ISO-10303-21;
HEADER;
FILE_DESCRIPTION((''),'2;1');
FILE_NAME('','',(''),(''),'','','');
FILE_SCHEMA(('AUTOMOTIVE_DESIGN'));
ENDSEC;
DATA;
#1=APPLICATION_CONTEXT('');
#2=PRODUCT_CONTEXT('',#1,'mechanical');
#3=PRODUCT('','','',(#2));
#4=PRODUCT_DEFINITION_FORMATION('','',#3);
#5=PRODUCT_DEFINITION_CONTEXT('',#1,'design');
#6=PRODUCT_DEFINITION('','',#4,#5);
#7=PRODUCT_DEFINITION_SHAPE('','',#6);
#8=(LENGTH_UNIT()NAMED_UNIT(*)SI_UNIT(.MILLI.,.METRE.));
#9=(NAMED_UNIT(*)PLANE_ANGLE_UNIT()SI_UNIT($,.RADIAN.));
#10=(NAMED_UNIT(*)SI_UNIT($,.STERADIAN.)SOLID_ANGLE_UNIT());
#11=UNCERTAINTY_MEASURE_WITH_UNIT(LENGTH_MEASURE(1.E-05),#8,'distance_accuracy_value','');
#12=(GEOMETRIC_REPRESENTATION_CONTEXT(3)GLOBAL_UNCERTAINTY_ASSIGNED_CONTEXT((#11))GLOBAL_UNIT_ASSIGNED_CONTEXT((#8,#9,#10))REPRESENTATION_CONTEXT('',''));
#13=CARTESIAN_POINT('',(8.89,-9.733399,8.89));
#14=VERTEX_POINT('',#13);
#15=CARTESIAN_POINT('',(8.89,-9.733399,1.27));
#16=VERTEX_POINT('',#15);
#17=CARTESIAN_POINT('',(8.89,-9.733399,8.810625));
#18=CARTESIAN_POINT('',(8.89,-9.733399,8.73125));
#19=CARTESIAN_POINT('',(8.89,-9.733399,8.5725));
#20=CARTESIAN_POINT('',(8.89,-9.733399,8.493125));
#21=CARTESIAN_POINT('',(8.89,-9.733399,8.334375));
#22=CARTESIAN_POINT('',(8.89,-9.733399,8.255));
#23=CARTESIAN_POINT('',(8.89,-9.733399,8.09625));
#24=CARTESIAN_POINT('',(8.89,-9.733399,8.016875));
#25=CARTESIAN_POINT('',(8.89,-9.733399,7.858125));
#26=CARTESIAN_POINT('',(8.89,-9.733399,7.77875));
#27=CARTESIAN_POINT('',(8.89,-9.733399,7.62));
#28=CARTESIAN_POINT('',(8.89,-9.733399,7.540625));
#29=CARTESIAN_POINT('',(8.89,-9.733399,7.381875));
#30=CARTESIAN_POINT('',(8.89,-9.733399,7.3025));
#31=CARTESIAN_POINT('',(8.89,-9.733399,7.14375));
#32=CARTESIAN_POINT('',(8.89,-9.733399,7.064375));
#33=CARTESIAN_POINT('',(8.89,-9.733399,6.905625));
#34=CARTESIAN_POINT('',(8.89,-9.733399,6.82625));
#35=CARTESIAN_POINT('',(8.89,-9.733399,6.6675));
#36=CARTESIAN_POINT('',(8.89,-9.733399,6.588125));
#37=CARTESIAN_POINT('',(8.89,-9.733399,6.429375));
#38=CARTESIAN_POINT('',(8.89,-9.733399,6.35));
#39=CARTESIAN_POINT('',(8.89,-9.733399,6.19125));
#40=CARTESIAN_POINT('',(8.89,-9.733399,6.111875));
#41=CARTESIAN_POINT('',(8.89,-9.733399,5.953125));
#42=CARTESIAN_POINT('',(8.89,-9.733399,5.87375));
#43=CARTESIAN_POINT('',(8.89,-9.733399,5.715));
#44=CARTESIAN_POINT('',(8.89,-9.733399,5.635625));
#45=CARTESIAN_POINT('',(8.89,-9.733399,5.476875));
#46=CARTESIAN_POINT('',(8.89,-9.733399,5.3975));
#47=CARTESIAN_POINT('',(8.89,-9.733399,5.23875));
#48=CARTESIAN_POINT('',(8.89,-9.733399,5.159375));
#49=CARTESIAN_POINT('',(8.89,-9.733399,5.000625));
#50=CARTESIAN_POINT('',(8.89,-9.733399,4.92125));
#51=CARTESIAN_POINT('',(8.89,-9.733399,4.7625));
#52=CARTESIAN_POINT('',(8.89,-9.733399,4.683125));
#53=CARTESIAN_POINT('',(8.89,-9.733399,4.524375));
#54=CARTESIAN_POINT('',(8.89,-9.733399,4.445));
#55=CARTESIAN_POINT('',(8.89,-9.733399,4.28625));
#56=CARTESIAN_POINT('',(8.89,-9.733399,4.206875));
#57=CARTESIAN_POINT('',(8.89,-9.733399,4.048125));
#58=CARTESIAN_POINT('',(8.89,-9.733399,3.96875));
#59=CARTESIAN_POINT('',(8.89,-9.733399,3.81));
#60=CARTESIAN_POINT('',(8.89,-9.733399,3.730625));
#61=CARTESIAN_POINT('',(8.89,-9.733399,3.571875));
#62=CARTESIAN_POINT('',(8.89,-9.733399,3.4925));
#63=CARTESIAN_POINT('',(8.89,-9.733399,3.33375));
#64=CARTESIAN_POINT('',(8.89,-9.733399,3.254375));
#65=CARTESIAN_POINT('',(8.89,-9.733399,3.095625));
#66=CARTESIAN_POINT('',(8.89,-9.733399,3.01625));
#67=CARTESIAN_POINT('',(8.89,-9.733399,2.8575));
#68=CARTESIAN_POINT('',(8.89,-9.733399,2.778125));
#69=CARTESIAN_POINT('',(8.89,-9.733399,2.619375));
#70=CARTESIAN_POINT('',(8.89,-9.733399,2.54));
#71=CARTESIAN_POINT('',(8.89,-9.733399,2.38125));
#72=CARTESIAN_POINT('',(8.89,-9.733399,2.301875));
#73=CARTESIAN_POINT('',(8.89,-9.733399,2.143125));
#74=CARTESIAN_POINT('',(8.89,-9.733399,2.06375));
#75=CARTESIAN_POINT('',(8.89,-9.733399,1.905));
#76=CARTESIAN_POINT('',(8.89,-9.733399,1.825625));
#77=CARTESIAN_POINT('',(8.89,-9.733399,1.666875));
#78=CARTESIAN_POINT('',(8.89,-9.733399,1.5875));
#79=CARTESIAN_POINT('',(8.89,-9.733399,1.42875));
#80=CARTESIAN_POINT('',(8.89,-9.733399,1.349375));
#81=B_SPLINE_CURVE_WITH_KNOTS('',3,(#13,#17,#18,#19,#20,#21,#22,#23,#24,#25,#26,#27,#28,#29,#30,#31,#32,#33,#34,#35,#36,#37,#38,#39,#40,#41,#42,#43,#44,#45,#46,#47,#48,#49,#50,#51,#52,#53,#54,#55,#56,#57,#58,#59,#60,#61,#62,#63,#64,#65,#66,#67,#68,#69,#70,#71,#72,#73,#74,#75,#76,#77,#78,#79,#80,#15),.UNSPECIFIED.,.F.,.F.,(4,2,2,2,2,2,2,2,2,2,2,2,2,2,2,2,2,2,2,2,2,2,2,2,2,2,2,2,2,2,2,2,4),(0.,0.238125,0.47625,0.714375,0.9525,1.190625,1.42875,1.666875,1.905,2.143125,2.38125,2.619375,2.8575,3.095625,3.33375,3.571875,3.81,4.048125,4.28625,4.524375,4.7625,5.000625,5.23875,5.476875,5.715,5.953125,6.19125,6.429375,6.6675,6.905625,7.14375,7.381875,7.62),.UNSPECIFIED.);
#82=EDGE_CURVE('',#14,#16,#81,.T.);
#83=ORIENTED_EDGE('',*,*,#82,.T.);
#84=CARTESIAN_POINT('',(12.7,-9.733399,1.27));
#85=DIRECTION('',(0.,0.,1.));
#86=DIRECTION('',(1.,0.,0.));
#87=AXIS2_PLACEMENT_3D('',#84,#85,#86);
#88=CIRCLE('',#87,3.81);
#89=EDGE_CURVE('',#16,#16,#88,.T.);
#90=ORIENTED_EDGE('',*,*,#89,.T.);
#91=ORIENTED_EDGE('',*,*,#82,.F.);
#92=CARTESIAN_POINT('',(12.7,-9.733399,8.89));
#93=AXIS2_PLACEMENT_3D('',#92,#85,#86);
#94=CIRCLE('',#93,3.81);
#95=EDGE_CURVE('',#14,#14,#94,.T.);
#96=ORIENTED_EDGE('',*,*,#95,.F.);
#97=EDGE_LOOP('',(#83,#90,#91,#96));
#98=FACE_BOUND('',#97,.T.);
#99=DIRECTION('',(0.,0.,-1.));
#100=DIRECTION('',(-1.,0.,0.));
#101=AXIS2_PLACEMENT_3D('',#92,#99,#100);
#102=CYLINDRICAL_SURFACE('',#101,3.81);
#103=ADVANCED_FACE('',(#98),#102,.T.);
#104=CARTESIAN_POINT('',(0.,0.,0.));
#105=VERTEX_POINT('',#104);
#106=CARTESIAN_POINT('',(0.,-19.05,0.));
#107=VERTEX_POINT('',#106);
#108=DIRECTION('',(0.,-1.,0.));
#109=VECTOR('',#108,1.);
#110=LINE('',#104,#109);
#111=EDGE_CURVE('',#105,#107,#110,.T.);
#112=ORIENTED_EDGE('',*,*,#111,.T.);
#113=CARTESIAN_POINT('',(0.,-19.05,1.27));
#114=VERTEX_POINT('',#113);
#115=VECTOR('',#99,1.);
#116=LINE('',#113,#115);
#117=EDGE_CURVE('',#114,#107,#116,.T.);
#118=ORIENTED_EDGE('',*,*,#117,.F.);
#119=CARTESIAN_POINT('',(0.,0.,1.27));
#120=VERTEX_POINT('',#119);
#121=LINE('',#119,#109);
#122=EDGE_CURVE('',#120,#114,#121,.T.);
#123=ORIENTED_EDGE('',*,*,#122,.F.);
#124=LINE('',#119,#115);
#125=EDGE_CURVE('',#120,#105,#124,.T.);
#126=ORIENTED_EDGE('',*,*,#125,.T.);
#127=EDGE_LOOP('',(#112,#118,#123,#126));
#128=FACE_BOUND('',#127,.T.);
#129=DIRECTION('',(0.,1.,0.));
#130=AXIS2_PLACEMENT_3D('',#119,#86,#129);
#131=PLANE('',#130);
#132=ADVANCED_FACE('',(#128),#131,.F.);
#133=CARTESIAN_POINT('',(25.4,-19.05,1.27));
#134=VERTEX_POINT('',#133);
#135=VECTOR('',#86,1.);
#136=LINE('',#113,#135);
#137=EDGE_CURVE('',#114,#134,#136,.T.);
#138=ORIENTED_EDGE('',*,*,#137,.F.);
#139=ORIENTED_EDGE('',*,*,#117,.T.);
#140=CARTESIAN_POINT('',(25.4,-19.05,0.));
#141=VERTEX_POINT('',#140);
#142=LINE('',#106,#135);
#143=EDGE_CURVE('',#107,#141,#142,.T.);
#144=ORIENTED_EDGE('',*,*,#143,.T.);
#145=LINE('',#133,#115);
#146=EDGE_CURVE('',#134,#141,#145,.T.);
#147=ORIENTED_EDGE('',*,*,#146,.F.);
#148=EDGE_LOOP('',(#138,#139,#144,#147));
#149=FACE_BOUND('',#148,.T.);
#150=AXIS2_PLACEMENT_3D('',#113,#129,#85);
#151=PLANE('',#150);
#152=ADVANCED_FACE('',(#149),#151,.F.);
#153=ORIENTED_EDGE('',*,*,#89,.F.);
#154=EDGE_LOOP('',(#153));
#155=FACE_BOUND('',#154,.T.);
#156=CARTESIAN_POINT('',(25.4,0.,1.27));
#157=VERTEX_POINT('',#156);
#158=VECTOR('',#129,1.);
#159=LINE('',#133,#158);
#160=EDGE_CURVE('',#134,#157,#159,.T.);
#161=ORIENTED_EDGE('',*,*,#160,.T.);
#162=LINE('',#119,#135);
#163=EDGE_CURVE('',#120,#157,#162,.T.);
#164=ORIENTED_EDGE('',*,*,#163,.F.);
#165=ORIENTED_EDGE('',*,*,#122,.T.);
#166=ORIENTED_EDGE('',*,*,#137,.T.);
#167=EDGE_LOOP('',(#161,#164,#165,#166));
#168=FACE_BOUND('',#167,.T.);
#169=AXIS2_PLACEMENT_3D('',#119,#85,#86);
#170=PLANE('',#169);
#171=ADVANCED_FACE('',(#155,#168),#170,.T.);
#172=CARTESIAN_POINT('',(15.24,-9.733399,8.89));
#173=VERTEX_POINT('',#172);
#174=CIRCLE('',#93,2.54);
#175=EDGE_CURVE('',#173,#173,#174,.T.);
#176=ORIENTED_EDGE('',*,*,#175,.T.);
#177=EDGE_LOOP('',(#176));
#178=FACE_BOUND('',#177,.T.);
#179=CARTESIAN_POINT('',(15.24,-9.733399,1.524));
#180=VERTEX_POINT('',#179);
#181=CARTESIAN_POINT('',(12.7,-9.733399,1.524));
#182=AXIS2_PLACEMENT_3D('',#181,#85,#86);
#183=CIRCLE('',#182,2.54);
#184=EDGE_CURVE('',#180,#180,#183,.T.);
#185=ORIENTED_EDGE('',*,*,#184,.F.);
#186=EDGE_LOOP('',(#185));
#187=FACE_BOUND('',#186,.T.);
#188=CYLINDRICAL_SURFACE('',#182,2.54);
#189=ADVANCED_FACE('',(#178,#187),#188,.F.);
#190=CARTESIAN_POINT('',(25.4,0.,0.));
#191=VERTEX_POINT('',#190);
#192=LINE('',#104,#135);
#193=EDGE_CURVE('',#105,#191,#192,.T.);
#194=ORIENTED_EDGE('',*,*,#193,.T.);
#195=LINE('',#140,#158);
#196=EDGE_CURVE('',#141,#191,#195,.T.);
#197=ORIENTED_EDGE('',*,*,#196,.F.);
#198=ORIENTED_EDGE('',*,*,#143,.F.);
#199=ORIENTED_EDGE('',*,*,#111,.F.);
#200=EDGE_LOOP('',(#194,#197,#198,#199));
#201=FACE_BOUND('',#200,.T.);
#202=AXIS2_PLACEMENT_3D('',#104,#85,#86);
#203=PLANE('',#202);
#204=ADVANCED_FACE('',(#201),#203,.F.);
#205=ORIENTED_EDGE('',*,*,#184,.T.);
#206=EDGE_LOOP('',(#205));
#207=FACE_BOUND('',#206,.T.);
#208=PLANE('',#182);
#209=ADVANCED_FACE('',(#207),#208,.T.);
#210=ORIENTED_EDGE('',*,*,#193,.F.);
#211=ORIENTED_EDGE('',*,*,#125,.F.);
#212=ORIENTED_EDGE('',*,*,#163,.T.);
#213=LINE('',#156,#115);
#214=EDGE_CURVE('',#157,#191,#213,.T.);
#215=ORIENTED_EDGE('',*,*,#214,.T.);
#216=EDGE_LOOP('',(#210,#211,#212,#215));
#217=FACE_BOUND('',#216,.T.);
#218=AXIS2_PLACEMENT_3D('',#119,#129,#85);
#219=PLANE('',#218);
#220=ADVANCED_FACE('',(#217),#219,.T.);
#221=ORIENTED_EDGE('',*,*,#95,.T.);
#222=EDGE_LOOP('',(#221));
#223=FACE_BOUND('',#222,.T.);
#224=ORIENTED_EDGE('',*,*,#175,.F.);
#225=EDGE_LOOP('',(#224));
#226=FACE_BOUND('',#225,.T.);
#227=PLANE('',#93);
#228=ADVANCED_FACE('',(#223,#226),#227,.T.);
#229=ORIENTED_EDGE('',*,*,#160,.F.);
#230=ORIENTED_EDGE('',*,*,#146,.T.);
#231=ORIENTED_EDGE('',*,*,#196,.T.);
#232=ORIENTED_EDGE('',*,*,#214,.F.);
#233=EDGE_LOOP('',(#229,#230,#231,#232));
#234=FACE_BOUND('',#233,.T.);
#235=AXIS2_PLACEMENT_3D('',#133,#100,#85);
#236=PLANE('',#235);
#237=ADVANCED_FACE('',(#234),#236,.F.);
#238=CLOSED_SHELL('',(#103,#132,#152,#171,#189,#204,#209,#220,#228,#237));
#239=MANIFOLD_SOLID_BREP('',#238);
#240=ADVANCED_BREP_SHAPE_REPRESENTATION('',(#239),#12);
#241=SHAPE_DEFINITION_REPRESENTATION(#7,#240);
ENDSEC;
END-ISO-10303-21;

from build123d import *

# Parameters (mm, degrees)
SKETCH2_W           = 25.4
SKETCH2_H           = 19.05
BOSS_EXTRUDE1_DEPTH = 1.27
SKETCH3_R           = 3.81
BOSS_EXTRUDE2_DEPTH = 7.62
SKETCH4_R           = 2.54
CUT_EXTRUDE1_DEPTH  = 7.366


with BuildPart() as part:
    # Sketch2 → Boss-Extrude1 (new body)
    with BuildSketch(Plane.XY):
        with Locations((12.7, -9.525)):
            Rectangle(SKETCH2_W, SKETCH2_H)
    extrude(amount=BOSS_EXTRUDE1_DEPTH)

    # Sketch3 → Boss-Extrude2 (add)
    with BuildSketch(Plane.XY.offset(1.27)):
        with Locations(Location((12.7, -9.733398963, 0), (0, 0, 180))):
            Circle(SKETCH3_R)
    extrude(amount=BOSS_EXTRUDE2_DEPTH)

    # Sketch4 → Cut-Extrude1 (cut)
    with BuildSketch(Plane.XY.offset(8.89)):
        with Locations((12.7, -9.733398963)):
            Circle(SKETCH4_R)
    extrude(amount=-CUT_EXTRUDE1_DEPTH, mode=Mode.SUBTRACT)


solid = part.part
